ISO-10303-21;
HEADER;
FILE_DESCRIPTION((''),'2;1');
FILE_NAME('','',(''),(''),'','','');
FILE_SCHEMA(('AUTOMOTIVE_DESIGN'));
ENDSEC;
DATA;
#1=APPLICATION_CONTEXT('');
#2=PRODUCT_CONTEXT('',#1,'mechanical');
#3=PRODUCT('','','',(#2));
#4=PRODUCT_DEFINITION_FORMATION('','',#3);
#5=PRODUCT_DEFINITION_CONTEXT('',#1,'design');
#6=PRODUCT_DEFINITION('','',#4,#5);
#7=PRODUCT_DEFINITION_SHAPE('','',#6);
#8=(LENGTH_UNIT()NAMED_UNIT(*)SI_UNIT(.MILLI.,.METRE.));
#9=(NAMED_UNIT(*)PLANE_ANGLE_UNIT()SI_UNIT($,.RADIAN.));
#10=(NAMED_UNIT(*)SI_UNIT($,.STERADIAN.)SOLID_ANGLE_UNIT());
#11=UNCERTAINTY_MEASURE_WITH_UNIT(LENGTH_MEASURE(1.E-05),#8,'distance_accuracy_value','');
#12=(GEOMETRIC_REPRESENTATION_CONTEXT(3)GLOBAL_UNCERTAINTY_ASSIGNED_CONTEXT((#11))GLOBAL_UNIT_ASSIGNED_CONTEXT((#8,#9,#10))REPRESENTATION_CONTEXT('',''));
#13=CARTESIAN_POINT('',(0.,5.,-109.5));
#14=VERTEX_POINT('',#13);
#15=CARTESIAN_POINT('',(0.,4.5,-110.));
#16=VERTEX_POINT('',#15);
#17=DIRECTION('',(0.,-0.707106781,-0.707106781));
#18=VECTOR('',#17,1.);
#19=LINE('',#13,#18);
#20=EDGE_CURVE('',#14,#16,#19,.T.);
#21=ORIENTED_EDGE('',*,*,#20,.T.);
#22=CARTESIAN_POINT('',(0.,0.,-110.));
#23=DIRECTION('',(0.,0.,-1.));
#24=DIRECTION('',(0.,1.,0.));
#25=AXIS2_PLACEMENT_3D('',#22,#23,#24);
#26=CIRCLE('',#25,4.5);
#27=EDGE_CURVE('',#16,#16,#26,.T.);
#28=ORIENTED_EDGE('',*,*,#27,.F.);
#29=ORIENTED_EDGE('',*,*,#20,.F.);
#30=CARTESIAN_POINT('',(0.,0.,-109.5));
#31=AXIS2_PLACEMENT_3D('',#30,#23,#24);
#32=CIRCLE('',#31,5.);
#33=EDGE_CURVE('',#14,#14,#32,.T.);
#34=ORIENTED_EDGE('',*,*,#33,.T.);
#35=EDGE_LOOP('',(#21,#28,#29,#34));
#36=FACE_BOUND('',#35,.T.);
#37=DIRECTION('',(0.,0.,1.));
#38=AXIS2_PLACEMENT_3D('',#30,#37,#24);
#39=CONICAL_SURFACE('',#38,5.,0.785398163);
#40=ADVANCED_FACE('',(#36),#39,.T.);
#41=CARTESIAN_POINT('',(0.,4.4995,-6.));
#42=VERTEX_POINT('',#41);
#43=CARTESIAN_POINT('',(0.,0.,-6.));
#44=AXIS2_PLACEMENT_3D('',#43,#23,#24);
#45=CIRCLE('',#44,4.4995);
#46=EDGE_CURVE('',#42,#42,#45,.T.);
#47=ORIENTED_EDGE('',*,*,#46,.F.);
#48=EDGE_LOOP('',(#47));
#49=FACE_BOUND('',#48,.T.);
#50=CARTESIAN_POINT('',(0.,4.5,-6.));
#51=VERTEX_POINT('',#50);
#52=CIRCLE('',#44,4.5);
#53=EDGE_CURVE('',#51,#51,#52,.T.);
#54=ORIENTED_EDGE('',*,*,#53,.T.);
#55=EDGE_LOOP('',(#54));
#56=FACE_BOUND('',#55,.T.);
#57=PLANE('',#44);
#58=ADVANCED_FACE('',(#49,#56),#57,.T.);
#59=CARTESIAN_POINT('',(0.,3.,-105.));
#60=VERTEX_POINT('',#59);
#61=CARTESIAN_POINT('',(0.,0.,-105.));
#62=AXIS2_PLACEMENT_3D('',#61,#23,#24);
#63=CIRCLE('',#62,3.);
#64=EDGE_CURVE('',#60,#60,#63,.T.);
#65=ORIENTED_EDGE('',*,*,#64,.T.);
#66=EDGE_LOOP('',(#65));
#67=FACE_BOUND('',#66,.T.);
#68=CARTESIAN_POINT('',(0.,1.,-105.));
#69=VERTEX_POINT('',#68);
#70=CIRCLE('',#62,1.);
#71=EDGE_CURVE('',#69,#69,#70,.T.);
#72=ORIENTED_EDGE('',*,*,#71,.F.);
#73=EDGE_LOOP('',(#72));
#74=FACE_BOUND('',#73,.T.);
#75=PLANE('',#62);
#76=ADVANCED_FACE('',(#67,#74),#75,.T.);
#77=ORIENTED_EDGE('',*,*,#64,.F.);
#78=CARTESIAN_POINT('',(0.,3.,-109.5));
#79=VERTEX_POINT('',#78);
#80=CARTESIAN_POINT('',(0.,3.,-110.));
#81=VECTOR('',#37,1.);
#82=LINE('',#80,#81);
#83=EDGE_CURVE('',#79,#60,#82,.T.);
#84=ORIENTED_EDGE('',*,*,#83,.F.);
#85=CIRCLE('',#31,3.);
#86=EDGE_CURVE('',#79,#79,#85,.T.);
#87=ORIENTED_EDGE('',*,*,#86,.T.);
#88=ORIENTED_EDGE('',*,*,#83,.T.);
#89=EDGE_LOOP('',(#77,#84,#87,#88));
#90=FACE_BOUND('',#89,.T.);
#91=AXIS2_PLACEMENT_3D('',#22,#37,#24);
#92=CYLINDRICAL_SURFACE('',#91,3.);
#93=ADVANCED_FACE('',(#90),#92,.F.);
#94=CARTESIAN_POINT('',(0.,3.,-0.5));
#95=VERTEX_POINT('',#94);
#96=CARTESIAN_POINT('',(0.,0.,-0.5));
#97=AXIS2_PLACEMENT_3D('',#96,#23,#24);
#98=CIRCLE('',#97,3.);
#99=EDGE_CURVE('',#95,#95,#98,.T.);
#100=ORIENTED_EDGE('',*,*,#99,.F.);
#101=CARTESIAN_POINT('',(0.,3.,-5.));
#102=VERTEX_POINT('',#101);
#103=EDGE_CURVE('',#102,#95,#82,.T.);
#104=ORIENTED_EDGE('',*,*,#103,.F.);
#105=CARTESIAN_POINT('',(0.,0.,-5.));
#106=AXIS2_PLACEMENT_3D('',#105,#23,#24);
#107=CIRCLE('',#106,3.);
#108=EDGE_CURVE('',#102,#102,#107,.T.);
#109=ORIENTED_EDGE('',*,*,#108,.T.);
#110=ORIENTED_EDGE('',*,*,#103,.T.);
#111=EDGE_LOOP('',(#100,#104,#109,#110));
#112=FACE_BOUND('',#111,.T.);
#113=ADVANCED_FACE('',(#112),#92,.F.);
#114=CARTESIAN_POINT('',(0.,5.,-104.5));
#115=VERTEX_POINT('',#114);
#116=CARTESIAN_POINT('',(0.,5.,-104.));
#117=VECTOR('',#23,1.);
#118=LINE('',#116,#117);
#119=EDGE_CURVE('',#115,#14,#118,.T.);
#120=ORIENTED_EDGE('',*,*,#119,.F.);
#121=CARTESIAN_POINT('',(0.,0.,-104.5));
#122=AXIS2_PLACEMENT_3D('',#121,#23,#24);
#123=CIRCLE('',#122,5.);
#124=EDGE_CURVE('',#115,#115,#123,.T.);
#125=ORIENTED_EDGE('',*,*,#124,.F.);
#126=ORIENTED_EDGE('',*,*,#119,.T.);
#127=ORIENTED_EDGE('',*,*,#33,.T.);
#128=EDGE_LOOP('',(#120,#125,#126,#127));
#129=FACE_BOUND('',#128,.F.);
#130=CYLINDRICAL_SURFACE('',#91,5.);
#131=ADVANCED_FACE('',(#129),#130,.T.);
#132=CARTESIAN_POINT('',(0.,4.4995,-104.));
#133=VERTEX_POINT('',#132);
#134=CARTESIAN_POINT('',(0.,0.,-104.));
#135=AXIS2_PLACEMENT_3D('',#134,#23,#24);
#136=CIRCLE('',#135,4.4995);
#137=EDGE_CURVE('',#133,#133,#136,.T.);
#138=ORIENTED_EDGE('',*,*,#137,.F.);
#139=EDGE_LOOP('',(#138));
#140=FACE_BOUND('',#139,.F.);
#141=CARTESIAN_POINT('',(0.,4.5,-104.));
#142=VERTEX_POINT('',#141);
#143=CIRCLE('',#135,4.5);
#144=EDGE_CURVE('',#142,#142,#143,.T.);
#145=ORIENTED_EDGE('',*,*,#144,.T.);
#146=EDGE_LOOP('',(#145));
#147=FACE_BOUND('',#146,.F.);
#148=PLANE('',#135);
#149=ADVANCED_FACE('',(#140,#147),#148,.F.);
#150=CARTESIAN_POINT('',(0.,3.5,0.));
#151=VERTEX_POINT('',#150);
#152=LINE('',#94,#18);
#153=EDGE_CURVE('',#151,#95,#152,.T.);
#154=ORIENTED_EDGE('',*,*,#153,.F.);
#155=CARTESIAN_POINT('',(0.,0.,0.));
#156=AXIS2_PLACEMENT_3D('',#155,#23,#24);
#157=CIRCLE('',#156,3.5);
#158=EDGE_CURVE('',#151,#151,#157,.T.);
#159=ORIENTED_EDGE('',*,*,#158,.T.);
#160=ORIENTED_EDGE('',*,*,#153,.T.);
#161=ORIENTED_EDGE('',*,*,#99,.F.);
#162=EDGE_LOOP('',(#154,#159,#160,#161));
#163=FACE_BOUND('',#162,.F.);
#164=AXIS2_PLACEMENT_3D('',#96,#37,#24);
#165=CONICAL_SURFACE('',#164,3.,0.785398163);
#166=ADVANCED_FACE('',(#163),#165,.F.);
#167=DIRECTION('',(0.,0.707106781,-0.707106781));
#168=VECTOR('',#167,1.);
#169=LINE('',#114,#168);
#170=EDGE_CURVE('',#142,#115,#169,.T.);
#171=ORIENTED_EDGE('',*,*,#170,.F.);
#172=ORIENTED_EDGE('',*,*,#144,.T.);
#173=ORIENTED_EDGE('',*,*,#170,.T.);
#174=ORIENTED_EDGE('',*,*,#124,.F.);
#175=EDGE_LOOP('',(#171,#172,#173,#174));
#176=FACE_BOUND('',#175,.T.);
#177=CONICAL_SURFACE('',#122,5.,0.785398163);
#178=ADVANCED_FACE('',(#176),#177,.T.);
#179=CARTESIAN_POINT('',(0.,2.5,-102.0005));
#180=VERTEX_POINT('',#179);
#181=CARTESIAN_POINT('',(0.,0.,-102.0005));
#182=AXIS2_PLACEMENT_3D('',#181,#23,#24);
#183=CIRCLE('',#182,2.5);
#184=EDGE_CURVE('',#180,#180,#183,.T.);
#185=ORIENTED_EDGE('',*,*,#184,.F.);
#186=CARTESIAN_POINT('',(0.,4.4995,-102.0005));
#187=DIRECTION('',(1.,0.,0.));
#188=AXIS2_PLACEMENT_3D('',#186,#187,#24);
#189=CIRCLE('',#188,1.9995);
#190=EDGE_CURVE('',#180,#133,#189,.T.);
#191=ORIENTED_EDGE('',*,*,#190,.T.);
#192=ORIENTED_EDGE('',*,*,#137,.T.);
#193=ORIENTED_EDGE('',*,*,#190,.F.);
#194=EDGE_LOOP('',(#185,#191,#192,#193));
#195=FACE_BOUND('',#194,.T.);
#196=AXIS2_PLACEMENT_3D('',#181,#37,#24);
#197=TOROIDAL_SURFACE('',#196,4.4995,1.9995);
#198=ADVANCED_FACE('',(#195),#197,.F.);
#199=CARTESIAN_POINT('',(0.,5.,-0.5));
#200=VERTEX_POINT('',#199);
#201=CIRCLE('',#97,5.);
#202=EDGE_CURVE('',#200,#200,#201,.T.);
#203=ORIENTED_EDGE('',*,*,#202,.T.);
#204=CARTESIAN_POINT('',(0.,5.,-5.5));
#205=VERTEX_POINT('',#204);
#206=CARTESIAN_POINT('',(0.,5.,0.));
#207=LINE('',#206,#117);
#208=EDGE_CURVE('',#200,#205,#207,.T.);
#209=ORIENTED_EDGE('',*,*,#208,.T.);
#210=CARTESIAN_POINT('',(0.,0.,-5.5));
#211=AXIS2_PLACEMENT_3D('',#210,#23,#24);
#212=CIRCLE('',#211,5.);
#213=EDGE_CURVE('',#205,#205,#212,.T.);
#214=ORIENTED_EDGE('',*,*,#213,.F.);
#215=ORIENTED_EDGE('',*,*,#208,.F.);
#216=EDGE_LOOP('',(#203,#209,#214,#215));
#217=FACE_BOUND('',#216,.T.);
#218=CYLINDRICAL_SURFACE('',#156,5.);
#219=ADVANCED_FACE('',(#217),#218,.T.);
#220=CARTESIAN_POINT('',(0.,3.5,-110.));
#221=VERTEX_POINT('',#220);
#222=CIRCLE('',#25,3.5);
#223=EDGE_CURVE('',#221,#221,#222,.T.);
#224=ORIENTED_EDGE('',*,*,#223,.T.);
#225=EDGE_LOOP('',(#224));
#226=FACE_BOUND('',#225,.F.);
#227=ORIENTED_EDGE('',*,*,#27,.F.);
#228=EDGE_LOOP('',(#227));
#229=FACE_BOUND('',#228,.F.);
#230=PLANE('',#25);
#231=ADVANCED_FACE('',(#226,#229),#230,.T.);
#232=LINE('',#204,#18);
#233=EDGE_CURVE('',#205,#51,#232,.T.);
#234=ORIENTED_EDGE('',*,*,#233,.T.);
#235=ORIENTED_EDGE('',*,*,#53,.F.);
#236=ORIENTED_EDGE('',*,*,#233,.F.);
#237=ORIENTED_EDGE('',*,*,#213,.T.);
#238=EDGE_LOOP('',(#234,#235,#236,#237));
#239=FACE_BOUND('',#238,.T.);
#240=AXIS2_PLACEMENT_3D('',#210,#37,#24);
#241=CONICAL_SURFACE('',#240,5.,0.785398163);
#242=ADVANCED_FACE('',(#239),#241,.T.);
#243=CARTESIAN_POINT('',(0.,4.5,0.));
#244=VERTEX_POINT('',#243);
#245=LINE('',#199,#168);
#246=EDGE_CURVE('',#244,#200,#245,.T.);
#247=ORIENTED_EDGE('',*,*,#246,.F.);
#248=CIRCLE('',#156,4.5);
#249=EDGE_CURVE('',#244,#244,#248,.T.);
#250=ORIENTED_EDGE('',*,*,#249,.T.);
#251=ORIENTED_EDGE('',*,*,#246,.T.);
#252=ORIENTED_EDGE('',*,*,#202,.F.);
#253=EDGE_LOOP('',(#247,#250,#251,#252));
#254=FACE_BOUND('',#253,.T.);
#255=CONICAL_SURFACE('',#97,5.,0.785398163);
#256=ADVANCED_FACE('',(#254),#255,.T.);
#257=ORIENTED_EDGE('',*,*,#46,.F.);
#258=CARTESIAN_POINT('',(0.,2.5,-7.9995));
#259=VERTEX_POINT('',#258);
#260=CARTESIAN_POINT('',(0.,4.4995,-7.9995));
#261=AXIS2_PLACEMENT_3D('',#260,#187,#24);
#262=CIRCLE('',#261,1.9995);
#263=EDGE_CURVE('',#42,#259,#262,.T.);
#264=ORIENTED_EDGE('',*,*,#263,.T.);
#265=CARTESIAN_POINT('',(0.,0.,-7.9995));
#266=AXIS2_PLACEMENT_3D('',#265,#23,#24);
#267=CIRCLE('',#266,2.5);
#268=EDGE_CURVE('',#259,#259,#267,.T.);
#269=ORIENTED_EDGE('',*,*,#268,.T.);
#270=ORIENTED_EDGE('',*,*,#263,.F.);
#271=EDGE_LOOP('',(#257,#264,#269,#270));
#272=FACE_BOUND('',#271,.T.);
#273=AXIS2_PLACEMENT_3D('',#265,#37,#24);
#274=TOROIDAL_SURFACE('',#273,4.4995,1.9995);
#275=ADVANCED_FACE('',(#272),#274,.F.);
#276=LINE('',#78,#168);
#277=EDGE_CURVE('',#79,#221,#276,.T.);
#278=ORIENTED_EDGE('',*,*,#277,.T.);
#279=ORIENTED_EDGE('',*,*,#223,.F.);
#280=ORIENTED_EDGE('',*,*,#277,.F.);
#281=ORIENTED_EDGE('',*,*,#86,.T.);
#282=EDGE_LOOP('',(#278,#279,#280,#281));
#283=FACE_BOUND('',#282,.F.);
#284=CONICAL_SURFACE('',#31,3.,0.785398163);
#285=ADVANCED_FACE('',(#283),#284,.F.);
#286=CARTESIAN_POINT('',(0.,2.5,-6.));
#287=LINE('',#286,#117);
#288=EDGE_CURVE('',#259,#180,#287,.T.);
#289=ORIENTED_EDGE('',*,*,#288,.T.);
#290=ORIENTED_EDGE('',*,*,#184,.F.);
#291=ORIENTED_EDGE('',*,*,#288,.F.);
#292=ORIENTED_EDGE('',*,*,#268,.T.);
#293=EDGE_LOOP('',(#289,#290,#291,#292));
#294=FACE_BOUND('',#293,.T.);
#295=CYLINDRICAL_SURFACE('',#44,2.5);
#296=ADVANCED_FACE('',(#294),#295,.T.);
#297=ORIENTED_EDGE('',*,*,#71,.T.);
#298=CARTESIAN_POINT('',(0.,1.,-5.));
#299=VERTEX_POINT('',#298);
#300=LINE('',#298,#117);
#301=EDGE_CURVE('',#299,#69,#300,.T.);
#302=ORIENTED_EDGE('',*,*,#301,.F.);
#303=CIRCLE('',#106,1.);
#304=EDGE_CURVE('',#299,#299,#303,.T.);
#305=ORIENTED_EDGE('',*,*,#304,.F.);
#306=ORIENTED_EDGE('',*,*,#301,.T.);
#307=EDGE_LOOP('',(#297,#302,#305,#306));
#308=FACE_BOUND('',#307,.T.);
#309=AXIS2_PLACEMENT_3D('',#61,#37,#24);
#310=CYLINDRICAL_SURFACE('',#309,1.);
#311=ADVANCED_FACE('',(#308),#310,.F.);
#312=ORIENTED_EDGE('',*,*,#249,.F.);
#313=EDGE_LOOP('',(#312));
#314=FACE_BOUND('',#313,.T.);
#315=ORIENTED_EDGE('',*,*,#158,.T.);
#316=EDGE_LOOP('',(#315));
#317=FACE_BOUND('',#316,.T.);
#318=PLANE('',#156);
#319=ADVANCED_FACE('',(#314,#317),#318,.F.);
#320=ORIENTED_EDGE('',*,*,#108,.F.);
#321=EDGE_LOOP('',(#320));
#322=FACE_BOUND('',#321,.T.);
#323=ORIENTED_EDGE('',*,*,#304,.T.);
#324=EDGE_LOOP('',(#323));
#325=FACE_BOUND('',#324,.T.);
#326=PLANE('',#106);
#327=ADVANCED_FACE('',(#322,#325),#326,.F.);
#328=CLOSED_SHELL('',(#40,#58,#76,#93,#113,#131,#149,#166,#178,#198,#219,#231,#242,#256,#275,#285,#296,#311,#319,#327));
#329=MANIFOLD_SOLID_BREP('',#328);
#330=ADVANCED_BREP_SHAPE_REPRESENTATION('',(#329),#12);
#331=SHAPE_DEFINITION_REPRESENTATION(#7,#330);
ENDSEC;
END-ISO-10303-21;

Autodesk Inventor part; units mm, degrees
ref_plane "YZ Plane" through (0, 0, 0) normal (1, 0, 0) x (0, 1, 0)
ref_plane "XZ Plane" through (0, 0, 0) normal (0, 1, 0) x (-1, 0, 0)
ref_plane "XY Plane" through (0, 0, 0) normal (0, 0, 1) x (1, 0, 0)
sketch "Sketch1" plane through (0, 0, 0) normal (1, 0, 0) x (0, 1, 0)
  line L0 (0, 0) -> (0, -110)
  line L1 (0, -110) -> (3, -110)
  line L2 (3, -110) -> (3, 0)
  line L3 (3, 0) -> (0, 0)
  line L4 (3, 0) -> (3, -5)
  line L5 (3, -110) -> (3, -105)
  line L6 (3, -110) -> (5, -110)
  line L7 (5, -110) -> (5, -105)
  line L8 (5, -105) -> (3, -105)
  line L9 (3, 0) -> (5, 0)
  line L10 (5, 0) -> (5, -5)
  line L11 (5, -5) -> (3, -5)
  line L12 (3, -105) -> (1, -105)
  line L13 (1, -105) -> (1, -5)
  line L14 (1, -5) -> (3, -5)
  line L15 (5, -5) -> (5, -6)
  line L16 (5, -6) -> (1, -6)
  line L17 (5, -105) -> (5, -104)
  line L18 (5, -104) -> (1, -104)
  line L19 (3, -6) -> (3.1, -6)
  line L20 (2.5, -6) -> (2.5, -104)
  point P0 (3, -104)
  point P1 (2, -6)
  point P2 (3.1, -104)
  dimension "d0" = 110
  dimension "d1" = 3
  dimension "d2" = 5
  dimension "d3" = 5
  dimension "d5" = 2
  dimension "d6" = 2
  dimension "d7" = 2
  dimension "d8" = 1
  dimension "d9" = 1
  dimension "d22" = 1.5
revolve "Revolution1" add sketch "Sketch1" angle 360 about axis through (0, 0, 0) along (0, 0, -1) contours L9 L10 L11 L2 | L2 L8 L7 L6 | L11 L15 L16 L2 | L2 L16 L13 L14 | L12 L13 L18 L2 | L2 L18 L17 L8 | L20 L18 L13 L16
thread "Thread1" size "M6x1" class "6H" standard "ANSI Metric M Profile" full length
thread "Thread2" size "M6x1" class "6H" standard "ANSI Metric M Profile" full length
chamfer "Chamfer1" distance 0.5 angle 45 2 edges at (0, -3, 0) (0, -3, -110)
chamfer "Chamfer2" distance 0.5 angle 45 4 edges at (0, -5, -110) (0, -5, -104) (0, -5, -6) (0, -5, 0)
fillet "Fillet1" radius 2 2 edges at (0, -2.5, -104) (0, -2.5, -6)
properties part number "Heater"
